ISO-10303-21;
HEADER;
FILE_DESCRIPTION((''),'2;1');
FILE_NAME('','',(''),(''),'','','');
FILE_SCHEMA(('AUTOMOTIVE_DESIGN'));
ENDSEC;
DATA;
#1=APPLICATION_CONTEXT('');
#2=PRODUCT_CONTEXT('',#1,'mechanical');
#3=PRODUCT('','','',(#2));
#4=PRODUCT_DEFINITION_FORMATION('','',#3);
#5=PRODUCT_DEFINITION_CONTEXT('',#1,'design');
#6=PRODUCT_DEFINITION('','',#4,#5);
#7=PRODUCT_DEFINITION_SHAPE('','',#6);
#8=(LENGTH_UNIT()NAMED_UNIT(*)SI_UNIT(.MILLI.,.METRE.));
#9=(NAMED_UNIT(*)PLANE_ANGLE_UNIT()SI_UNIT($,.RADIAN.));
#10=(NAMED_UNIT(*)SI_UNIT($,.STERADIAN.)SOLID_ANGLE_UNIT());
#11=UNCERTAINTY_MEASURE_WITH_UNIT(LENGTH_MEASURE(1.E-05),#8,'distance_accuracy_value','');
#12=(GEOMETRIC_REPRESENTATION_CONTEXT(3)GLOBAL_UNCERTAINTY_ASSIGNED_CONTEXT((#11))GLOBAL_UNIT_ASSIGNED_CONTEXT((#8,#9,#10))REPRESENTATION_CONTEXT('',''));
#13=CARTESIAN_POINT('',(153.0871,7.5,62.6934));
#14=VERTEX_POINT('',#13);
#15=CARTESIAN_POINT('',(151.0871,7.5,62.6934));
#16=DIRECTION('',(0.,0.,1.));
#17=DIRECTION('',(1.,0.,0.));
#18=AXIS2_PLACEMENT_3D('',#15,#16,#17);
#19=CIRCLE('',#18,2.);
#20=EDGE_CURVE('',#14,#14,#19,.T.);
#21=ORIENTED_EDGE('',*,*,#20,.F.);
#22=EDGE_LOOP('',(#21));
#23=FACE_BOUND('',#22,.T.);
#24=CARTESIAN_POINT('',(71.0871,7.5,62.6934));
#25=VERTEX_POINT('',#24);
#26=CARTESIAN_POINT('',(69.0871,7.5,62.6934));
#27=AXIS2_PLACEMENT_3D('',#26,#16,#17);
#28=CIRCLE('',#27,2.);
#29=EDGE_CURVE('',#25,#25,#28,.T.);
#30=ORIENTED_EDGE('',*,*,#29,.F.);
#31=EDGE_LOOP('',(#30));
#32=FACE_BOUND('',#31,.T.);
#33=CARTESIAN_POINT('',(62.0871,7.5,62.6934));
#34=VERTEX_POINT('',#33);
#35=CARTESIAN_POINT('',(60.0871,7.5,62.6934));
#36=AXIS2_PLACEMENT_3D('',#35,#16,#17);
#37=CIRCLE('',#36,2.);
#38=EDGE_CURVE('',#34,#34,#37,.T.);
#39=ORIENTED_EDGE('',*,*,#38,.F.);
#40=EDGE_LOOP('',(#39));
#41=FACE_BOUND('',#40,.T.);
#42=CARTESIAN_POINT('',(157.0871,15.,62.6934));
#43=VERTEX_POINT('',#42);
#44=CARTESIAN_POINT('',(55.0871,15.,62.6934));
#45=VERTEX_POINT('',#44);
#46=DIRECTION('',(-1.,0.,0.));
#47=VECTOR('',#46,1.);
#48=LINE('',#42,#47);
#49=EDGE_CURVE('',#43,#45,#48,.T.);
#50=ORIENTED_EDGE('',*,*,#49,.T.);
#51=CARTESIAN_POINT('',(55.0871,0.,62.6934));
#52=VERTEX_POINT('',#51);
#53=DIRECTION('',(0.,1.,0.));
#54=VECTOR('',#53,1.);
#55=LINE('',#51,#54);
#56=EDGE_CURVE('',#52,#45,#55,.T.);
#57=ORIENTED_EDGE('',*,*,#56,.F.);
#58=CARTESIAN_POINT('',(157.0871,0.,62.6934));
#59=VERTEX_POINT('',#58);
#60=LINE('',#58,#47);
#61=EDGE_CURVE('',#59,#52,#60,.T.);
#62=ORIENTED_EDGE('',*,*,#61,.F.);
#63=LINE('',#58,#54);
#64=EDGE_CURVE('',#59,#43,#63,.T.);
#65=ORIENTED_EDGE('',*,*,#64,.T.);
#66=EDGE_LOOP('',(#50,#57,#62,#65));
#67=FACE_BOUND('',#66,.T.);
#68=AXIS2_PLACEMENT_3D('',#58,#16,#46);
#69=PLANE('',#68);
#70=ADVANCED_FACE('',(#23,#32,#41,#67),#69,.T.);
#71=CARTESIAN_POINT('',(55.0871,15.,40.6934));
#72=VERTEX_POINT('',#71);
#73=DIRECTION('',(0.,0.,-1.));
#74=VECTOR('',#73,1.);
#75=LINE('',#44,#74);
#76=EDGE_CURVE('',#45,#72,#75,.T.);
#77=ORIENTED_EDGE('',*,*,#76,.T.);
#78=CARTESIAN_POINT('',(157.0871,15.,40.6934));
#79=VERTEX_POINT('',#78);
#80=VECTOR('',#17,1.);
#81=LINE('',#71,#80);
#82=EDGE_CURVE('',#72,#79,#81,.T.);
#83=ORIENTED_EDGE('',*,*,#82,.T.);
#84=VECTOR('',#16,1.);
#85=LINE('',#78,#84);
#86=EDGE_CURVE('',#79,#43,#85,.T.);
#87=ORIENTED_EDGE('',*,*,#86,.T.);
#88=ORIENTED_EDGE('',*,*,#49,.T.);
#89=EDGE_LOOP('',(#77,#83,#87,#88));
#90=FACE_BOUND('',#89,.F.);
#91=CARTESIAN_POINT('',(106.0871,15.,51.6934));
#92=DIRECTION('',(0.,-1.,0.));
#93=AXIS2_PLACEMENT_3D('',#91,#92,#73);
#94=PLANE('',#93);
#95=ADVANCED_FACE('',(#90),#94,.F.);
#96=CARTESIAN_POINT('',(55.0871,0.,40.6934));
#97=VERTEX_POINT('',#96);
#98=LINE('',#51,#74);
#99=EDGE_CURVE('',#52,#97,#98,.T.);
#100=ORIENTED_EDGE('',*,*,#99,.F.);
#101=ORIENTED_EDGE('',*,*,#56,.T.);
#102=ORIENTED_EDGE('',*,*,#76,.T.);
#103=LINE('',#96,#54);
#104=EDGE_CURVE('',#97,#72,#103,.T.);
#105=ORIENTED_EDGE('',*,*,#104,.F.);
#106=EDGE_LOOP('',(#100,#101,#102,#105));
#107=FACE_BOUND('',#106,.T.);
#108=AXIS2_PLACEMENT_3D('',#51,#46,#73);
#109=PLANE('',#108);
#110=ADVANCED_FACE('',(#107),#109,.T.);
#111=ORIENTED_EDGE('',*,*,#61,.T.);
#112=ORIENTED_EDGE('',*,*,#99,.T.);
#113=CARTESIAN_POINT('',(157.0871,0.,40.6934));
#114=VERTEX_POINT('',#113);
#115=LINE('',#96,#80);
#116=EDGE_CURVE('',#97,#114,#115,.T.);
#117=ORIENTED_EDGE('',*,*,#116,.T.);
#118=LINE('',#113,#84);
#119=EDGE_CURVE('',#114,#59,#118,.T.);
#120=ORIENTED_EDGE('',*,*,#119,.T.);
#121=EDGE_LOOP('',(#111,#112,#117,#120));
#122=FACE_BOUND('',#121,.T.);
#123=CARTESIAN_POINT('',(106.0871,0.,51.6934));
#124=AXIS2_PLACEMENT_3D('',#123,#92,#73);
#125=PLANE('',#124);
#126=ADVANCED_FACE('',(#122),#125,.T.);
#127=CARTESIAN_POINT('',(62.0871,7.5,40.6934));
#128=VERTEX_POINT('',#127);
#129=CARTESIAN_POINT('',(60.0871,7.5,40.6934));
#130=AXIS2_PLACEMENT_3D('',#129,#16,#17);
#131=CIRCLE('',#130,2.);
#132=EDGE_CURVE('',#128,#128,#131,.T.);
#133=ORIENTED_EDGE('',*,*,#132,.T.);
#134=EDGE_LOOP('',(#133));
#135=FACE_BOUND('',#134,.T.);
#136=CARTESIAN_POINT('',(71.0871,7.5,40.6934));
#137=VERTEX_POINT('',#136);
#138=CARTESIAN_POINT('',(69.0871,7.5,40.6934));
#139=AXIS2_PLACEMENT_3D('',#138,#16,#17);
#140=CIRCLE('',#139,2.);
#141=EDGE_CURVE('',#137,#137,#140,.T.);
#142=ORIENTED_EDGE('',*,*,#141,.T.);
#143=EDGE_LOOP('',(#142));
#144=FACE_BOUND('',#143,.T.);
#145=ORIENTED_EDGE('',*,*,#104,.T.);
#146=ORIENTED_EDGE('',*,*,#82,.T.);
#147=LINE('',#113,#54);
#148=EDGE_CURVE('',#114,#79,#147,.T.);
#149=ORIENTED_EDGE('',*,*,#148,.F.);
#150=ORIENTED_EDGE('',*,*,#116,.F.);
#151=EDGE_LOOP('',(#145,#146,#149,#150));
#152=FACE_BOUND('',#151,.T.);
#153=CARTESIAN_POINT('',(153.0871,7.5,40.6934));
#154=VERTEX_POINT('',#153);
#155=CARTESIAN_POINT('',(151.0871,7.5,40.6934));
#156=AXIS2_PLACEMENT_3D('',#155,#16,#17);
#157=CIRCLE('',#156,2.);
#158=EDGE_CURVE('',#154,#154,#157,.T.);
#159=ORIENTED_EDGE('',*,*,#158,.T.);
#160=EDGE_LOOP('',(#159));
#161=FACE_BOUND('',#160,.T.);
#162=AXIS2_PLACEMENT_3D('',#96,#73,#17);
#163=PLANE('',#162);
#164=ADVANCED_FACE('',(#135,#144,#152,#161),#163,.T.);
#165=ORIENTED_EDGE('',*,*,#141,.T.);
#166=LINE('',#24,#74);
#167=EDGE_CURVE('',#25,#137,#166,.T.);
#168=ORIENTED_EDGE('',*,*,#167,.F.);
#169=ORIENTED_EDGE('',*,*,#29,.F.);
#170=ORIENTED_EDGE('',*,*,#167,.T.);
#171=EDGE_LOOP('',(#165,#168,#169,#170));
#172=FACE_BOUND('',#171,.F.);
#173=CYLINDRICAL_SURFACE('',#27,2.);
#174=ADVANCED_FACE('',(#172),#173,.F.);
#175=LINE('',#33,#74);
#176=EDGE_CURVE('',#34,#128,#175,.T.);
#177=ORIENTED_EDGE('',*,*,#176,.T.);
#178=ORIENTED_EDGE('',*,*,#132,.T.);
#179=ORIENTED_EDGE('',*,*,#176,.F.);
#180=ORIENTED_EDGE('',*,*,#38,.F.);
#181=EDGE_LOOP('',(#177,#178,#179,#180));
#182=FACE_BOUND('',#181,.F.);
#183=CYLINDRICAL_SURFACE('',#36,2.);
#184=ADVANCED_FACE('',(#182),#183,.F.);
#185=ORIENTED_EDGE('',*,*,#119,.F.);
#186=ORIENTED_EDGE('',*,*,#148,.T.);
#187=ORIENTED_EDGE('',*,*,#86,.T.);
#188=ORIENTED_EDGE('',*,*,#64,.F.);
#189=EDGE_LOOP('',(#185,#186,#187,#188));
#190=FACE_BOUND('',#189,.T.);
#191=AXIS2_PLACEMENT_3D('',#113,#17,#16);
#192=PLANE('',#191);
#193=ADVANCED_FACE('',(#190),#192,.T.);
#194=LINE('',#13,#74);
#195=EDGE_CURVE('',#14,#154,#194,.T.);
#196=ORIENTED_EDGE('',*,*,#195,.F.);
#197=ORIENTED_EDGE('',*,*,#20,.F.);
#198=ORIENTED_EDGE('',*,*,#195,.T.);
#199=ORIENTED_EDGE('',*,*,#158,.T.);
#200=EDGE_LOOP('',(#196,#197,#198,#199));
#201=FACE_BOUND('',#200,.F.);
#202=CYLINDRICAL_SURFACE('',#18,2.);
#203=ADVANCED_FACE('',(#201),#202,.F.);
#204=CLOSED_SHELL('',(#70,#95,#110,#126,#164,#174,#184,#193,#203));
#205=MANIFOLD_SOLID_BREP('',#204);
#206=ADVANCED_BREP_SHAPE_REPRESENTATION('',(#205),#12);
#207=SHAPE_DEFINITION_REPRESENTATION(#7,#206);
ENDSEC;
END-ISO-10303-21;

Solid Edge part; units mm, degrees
sketch "Sketch1" plane through (0, 0, 0) normal (0, -1, 0) x (1, 0, 0)
  line L0 (55.0871, 62.6934) -> (55.0871, 40.6934)
  line L1 (55.0871, 40.6934) -> (157.0871, 40.6934)
  line L2 (157.0871, 40.6934) -> (157.0871, 62.6934)
  line L3 (157.0871, 62.6934) -> (55.0871, 62.6934)
  dimension "D1" = 102
  dimension "D2" = 22
extrude "Protrusion1" add sketch "Sketch1" against normal blind 15
sketch "Sketch2" plane through (106.0871, 7.5, 62.6934) normal (0, 0, 1) x (1, 0, 0)
  circle A0 centre (-46, 0) radius 2
  circle A1 centre (-37, 0) radius 2
  circle A2 centre (45, 0) radius 2
  dimension "D1" = 5
  dimension "D2" = 4
  dimension "D3" = 9
  dimension "D4" = 82
extrude "Cutout1" cut sketch "Sketch2" against normal through all
